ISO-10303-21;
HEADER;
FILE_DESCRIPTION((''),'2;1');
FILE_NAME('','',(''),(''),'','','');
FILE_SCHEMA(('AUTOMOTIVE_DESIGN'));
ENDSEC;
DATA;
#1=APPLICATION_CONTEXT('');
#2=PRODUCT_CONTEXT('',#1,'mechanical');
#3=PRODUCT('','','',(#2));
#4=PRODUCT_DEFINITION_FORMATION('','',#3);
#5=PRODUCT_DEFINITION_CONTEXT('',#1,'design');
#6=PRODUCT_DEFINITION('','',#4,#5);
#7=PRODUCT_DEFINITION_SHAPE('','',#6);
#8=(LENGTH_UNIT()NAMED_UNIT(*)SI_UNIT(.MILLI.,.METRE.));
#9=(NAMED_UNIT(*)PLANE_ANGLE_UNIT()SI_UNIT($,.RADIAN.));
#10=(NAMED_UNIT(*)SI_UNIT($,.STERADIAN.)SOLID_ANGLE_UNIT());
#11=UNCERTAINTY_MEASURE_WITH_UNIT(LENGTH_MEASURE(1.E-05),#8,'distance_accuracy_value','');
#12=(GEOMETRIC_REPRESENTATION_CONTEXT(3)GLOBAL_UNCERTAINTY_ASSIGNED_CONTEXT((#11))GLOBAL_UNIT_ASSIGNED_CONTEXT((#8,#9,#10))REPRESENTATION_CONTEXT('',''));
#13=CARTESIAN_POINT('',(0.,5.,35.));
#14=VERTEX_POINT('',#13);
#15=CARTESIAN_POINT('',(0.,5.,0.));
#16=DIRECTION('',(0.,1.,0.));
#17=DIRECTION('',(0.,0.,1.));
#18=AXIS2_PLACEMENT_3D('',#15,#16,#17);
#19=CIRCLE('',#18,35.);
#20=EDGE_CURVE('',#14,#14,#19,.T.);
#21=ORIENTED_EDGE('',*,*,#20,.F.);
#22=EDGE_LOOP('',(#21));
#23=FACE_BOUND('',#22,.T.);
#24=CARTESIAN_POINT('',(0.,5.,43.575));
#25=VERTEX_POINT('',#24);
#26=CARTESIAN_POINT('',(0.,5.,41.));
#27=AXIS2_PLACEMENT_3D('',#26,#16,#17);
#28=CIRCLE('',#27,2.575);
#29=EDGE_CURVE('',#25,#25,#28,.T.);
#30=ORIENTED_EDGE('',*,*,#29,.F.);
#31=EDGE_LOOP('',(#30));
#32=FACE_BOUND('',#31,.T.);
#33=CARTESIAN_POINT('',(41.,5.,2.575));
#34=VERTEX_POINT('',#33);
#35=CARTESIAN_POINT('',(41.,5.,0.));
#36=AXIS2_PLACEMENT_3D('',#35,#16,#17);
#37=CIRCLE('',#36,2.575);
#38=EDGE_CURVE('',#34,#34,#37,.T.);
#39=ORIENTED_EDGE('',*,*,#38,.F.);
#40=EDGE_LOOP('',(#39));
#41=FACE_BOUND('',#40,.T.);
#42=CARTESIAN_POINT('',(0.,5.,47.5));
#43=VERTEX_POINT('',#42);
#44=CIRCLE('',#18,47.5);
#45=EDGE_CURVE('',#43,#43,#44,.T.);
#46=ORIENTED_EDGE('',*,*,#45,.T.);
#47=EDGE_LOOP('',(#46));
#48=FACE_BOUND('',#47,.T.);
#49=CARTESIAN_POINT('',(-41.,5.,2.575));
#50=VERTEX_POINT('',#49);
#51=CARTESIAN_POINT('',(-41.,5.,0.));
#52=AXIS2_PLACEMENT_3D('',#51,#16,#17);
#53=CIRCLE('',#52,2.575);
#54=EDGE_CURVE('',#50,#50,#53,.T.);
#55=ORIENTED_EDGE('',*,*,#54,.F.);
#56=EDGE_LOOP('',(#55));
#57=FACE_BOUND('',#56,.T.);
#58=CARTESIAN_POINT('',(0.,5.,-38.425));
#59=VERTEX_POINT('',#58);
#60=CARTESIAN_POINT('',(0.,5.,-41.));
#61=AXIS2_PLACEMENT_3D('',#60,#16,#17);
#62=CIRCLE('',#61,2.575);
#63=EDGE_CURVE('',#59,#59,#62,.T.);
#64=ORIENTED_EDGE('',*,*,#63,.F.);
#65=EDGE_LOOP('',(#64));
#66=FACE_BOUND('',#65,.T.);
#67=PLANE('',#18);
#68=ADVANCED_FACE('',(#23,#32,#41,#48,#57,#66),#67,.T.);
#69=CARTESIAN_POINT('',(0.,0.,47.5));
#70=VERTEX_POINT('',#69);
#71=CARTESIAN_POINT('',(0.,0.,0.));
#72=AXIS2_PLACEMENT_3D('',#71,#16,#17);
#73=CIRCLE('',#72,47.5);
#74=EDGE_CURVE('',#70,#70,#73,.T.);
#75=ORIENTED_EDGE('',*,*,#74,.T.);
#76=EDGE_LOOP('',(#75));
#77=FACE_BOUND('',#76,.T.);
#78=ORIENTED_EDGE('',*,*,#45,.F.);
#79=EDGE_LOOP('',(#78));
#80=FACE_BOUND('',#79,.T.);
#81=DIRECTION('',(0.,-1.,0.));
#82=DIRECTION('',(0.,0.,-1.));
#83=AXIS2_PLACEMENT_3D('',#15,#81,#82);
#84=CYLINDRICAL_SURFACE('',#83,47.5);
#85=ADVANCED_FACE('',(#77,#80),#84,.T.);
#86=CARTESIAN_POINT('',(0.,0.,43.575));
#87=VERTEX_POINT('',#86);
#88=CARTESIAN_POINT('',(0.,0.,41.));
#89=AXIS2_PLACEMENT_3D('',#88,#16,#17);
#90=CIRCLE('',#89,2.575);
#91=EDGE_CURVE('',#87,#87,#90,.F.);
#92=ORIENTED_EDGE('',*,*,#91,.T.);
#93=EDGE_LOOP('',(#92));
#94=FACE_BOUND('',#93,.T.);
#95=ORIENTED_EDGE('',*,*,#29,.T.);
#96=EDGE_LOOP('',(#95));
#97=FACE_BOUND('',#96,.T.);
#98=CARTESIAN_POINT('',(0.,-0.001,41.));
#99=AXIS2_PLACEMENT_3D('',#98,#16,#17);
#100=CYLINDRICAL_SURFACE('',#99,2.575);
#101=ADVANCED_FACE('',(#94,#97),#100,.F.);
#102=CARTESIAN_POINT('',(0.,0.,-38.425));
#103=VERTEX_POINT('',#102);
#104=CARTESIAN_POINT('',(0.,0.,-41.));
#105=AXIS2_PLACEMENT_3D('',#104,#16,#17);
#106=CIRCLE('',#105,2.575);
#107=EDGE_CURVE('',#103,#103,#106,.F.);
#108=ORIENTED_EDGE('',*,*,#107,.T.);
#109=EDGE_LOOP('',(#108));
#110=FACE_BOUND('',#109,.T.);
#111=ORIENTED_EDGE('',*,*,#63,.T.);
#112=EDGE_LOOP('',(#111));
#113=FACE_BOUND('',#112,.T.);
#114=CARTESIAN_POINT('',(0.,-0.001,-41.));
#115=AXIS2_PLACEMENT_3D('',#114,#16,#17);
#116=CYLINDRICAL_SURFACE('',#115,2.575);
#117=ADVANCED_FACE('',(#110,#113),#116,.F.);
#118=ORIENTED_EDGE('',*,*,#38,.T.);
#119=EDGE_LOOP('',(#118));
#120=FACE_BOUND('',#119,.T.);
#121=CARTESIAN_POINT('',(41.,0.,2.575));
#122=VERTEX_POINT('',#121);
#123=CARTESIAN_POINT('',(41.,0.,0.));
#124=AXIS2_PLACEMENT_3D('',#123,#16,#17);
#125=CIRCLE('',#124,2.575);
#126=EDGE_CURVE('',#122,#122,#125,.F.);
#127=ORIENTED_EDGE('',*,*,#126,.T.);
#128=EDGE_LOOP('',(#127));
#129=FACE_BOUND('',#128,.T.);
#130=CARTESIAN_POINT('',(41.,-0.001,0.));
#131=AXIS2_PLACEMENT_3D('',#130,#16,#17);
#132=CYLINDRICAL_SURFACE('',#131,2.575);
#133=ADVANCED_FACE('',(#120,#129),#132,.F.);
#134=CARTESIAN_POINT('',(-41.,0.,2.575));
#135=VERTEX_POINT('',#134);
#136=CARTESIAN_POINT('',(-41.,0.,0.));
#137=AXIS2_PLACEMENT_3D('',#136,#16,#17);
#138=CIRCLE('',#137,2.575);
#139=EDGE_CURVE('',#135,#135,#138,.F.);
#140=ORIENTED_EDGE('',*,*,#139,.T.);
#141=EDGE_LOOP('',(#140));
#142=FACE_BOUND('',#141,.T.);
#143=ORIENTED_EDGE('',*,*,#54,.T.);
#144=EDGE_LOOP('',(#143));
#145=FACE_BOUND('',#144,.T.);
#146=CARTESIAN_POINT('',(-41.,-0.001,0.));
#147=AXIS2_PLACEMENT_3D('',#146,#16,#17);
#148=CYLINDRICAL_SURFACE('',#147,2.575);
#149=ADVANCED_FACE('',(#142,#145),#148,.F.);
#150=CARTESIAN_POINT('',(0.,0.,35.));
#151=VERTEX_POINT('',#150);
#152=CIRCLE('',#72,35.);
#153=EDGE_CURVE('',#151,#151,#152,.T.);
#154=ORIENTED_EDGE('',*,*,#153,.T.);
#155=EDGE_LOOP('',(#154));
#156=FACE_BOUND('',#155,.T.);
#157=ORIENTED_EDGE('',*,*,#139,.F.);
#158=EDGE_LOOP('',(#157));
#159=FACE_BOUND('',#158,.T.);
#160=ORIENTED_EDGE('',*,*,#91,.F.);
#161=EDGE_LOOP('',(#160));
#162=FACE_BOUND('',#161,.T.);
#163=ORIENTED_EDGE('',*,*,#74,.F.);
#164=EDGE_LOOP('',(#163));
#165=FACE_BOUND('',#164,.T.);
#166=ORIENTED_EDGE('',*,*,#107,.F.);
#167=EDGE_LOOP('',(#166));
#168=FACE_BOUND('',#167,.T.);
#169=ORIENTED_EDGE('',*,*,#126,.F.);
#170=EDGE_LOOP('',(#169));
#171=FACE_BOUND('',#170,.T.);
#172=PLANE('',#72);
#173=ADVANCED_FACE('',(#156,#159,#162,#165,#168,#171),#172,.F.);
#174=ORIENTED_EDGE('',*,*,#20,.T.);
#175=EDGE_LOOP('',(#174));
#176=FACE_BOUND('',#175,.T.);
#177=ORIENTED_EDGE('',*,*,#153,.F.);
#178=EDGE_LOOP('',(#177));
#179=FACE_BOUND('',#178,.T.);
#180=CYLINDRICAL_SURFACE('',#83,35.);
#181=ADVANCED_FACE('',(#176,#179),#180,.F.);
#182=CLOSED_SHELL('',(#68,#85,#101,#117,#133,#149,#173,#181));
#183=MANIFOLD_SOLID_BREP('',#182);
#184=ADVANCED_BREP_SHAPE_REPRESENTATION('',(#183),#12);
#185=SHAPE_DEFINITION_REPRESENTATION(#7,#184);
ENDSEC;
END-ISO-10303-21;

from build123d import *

# Parameters (mm, degrees)
SKETCH_1_R          = 47.5
SKETCH_1_R_2        = 35
EXTRUDE_1_DEPTH     = 5
CUT_EXTRUDE_1_REACH = 69.361
SKETCH_2_R          = 2.575


with BuildPart() as part:
    # 草图1 → 凸台-拉伸1 (new body)
    with BuildSketch(Plane(origin=(0, 0, 0), x_dir=(1, 0, 0), z_dir=(0, 1, 0))):
        with Locations(Location((0, 0, 0), (0, 0, 270))):
            Circle(SKETCH_1_R)
        with Locations(Location((0, 0, 0), (0, 0, 270))):
            Circle(SKETCH_1_R_2, mode=Mode.SUBTRACT)
    extrude(amount=EXTRUDE_1_DEPTH)

    # 草图2 → 切除-拉伸1 (cut, up to next)
    with BuildSketch(Plane(origin=(0, 5, 0), x_dir=(1, 0, 0), z_dir=(0, 1, 0)), mode=Mode.PRIVATE) as cut_extrude_1_sk1:
        with Locations(Location((0, 41, 0), (0, 0, 270))):
            Circle(SKETCH_2_R)
    cut_extrude_1_tool1 = extrude(cut_extrude_1_sk1.sketch, amount=-CUT_EXTRUDE_1_REACH, mode=Mode.PRIVATE) & part.part
    # 草图2 → 切除-拉伸1 (cut, up to next)
    with BuildSketch(Plane(origin=(0, 5, 0), x_dir=(1, 0, 0), z_dir=(0, 1, 0)), mode=Mode.PRIVATE) as cut_extrude_1_sk2:
        with Locations(Location((41, 0, 0), (0, 0, 270))):
            Circle(SKETCH_2_R)
    cut_extrude_1_tool2 = extrude(cut_extrude_1_sk2.sketch, amount=-CUT_EXTRUDE_1_REACH, mode=Mode.PRIVATE) & part.part
    # 草图2 → 切除-拉伸1 (cut, up to next)
    with BuildSketch(Plane(origin=(0, 5, 0), x_dir=(1, 0, 0), z_dir=(0, 1, 0)), mode=Mode.PRIVATE) as cut_extrude_1_sk3:
        with Locations(Location((0, -41, 0), (0, 0, 270))):
            Circle(SKETCH_2_R)
    cut_extrude_1_tool3 = extrude(cut_extrude_1_sk3.sketch, amount=-CUT_EXTRUDE_1_REACH, mode=Mode.PRIVATE) & part.part
    # 草图2 → 切除-拉伸1 (cut, up to next)
    with BuildSketch(Plane(origin=(0, 5, 0), x_dir=(1, 0, 0), z_dir=(0, 1, 0)), mode=Mode.PRIVATE) as cut_extrude_1_sk4:
        with Locations(Location((-41, 0, 0), (0, 0, 270))):
            Circle(SKETCH_2_R)
    cut_extrude_1_tool4 = extrude(cut_extrude_1_sk4.sketch, amount=-CUT_EXTRUDE_1_REACH, mode=Mode.PRIVATE) & part.part
    add(cut_extrude_1_tool1.solids().sort_by_distance((0, 5, -41))[0], mode=Mode.SUBTRACT)
    add(cut_extrude_1_tool2.solids().sort_by_distance((41, 5, 0))[0], mode=Mode.SUBTRACT)
    add(cut_extrude_1_tool3.solids().sort_by_distance((0, 5, 41))[0], mode=Mode.SUBTRACT)
    add(cut_extrude_1_tool4.solids().sort_by_distance((-41, 5, 0))[0], mode=Mode.SUBTRACT)


solid = part.part
